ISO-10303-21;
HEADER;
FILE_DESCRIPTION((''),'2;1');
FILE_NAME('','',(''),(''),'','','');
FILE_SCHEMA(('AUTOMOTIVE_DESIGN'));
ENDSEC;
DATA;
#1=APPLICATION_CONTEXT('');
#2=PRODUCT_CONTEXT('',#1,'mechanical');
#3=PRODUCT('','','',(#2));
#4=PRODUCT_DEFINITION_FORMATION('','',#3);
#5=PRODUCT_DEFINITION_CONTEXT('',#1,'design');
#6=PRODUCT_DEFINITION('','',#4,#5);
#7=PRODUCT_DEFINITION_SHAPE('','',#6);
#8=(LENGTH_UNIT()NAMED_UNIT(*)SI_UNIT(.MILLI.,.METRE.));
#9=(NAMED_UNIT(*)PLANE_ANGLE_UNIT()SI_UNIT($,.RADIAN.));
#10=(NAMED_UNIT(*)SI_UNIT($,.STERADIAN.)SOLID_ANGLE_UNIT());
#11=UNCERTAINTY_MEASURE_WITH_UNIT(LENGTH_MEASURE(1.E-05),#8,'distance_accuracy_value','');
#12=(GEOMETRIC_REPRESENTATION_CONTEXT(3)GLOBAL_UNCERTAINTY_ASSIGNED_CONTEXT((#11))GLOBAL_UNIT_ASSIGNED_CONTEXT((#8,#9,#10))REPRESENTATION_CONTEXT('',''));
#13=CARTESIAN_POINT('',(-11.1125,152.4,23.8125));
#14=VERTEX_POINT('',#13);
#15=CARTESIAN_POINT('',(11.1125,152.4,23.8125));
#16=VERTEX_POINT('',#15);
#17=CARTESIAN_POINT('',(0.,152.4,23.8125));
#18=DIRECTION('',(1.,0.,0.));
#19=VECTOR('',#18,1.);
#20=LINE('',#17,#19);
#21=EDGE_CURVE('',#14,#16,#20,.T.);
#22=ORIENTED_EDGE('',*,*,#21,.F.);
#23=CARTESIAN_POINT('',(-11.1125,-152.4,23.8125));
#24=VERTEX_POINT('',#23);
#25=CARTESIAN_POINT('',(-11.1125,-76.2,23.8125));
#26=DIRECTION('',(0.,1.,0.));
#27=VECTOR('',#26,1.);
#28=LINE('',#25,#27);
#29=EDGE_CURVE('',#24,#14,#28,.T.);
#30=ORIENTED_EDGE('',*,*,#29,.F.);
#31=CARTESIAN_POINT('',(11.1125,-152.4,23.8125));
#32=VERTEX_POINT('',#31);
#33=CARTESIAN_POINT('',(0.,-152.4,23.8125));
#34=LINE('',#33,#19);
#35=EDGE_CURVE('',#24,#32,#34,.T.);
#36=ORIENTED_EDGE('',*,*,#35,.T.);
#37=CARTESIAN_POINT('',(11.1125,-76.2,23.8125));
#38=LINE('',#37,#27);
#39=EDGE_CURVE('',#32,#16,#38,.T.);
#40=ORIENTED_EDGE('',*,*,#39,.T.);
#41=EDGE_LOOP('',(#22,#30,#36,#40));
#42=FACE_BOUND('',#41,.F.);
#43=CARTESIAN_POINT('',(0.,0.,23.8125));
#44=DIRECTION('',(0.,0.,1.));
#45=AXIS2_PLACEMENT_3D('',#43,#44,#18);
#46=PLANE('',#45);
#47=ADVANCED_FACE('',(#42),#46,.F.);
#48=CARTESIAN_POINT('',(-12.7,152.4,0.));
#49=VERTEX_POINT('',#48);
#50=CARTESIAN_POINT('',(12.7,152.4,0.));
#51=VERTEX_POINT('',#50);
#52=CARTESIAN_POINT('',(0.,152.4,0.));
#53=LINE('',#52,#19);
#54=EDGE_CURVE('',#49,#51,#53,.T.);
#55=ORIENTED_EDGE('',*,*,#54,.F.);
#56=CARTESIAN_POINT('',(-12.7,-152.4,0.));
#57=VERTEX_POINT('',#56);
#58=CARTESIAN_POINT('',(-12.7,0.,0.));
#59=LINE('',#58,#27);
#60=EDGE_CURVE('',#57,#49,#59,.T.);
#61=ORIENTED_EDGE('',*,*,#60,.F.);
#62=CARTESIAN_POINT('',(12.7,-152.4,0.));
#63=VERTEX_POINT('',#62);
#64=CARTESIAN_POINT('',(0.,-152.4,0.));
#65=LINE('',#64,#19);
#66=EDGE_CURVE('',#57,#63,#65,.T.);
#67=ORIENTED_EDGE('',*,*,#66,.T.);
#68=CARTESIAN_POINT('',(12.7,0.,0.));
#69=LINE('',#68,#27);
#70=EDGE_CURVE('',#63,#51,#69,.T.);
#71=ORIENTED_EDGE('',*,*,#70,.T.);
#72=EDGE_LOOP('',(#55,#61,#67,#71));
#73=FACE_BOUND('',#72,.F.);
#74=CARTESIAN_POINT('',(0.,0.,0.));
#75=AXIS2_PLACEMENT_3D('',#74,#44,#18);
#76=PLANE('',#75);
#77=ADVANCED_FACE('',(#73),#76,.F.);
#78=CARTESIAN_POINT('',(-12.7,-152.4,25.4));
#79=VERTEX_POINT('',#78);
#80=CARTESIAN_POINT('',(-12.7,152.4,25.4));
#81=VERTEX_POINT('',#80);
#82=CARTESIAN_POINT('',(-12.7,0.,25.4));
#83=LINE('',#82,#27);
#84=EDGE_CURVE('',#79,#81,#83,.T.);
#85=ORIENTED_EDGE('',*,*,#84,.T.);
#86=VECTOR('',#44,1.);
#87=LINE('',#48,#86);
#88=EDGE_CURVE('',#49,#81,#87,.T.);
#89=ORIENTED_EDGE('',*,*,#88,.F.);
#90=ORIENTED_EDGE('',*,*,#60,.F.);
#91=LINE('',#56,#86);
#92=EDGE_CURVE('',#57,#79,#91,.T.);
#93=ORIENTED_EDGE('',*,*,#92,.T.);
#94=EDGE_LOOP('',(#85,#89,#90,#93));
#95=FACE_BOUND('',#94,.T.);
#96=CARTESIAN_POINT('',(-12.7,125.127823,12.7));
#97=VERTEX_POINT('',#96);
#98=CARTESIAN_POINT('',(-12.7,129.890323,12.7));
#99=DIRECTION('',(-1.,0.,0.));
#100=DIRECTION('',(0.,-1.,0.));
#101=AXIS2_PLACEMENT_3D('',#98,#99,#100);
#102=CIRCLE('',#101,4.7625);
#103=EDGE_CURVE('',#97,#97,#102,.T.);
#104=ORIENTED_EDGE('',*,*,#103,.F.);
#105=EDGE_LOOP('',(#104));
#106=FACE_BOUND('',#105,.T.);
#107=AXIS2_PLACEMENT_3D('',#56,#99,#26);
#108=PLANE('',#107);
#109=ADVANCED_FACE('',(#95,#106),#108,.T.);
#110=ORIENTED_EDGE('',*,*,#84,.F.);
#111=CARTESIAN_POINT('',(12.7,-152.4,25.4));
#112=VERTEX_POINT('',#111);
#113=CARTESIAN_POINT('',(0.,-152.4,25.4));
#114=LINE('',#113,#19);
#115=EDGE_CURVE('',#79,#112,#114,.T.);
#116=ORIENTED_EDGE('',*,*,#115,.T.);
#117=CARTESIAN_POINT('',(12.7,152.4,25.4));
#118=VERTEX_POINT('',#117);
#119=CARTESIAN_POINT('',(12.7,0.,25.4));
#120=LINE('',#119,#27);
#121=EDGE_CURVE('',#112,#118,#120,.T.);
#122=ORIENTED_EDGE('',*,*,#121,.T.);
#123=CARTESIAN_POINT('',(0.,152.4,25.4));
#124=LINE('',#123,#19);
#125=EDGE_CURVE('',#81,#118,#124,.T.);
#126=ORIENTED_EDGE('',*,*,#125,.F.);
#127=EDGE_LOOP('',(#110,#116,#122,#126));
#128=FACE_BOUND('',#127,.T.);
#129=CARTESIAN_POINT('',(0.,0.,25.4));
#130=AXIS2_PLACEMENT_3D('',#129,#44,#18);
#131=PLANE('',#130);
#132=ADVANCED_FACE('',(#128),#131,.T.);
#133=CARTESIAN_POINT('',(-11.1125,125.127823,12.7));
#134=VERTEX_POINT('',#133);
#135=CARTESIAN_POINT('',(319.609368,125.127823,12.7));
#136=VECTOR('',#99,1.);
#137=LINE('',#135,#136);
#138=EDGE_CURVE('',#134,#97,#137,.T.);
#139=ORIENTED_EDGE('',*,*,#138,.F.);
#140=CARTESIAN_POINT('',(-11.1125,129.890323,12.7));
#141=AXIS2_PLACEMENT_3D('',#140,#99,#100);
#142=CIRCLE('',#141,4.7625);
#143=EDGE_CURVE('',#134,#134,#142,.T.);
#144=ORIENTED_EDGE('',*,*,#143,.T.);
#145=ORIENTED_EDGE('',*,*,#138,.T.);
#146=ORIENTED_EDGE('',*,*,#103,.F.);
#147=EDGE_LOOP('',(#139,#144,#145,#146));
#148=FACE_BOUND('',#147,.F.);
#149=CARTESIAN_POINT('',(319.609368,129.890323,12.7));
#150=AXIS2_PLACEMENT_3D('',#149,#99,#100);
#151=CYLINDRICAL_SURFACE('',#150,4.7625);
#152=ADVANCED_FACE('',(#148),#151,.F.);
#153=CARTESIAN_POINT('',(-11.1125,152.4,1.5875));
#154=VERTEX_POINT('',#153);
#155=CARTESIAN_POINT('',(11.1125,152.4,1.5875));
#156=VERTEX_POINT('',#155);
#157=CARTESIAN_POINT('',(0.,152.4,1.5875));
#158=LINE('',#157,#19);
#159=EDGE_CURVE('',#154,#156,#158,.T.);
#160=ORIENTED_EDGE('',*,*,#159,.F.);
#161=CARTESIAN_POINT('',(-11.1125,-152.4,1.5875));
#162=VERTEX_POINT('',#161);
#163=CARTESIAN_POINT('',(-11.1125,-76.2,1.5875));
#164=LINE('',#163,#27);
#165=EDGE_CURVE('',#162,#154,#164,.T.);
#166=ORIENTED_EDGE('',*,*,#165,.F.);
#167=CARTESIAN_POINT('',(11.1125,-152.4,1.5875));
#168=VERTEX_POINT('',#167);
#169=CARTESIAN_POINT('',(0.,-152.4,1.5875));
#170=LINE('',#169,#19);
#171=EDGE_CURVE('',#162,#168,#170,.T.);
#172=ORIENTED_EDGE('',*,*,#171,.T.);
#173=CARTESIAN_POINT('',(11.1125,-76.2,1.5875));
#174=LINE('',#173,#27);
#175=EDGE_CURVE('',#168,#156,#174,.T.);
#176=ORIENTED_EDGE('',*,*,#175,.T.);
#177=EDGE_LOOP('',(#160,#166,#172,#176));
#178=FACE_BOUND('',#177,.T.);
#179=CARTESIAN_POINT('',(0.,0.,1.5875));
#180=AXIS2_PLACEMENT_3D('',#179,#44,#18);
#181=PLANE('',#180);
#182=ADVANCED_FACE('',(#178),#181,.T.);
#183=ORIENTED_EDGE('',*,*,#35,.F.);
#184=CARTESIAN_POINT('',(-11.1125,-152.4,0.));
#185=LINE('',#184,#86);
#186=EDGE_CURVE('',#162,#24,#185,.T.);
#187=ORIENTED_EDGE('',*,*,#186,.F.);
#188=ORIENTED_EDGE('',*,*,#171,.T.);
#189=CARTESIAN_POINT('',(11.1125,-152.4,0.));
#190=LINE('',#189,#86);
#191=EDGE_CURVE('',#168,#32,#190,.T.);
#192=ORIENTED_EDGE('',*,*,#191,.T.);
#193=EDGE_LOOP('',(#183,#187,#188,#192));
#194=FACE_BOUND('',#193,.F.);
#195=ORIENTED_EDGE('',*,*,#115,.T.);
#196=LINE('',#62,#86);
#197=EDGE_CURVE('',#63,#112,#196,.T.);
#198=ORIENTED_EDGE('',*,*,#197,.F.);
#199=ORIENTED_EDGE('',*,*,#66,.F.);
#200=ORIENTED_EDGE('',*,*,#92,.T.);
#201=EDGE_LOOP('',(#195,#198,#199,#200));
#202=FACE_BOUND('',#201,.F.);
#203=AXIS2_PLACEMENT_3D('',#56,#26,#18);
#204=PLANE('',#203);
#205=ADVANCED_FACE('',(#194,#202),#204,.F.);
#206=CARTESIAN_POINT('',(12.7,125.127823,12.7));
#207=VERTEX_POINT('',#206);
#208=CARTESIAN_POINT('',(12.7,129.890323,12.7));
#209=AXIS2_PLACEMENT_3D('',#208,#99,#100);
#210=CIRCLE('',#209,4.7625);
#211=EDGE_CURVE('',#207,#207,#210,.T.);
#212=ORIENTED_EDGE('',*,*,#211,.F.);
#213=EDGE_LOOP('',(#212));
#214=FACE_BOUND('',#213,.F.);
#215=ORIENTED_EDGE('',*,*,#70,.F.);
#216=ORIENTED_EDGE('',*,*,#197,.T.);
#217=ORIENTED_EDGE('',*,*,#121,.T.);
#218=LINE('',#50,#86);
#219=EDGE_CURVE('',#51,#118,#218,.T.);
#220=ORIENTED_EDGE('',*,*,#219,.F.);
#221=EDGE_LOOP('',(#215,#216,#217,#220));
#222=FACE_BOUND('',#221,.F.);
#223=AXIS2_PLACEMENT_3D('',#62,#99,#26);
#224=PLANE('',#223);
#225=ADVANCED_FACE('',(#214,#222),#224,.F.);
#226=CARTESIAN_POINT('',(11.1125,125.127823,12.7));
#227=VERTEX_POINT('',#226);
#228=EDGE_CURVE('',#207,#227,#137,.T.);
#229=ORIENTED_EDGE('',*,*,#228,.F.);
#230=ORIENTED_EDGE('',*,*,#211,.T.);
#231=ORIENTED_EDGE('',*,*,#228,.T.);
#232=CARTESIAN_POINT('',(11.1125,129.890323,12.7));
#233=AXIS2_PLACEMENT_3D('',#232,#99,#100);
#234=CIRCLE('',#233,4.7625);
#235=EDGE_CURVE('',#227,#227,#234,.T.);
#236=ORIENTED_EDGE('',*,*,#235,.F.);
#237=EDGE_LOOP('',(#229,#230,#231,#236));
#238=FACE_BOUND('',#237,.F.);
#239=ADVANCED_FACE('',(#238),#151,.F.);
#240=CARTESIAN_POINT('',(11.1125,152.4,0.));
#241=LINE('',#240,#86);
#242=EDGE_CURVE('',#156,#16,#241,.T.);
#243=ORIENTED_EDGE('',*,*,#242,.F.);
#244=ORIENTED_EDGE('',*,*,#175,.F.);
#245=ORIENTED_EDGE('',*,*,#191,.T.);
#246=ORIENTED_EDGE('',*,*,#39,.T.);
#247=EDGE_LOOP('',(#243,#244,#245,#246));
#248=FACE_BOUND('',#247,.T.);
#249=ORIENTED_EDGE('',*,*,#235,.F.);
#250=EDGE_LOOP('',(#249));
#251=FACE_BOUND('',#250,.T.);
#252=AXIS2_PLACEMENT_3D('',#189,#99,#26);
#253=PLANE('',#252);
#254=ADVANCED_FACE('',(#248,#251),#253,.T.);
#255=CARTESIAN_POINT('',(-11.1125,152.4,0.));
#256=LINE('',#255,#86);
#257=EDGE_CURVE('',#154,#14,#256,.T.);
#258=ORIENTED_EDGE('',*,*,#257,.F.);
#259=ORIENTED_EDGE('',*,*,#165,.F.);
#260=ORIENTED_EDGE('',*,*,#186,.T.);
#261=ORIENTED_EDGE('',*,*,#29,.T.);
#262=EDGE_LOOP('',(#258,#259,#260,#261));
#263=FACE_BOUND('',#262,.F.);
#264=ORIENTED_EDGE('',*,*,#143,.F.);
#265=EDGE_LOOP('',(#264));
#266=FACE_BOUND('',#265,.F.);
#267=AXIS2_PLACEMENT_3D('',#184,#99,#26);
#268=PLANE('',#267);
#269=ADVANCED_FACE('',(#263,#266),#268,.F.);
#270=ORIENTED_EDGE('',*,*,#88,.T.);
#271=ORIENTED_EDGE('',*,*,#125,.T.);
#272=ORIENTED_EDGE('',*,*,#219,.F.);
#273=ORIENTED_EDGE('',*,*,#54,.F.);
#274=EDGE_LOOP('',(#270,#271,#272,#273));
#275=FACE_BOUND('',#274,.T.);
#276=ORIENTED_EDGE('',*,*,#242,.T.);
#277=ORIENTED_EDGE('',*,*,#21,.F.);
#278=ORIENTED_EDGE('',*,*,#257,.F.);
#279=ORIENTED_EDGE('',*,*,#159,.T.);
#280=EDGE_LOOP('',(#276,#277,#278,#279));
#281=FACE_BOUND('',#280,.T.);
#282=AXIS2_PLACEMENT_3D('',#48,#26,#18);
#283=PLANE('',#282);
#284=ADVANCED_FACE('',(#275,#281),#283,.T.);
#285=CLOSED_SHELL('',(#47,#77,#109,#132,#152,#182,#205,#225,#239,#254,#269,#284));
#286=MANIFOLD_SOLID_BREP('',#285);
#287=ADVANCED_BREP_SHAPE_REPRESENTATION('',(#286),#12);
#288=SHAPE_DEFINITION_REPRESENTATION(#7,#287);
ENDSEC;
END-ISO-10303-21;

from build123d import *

# Parameters (mm, degrees)
F0_W     = 25.4
F0_H     = 304.8
F1_DEPTH = 25.4
F2_T     = -1.5875
F4_D     = 9.525


with BuildPart() as f1:
    # F0 (on Top) → F1 (new body)
    with BuildSketch(Plane.XY):
        Rectangle(F0_W, F0_H)
    extrude(amount=F1_DEPTH)

    # F2
    f2_openings = [f1.faces().sort_by_distance(p)[0] for p in [
        (0, -152.4, 12.7),
        (0, 152.4, 12.7),
    ]]
    offset(amount=F2_T, openings=f2_openings)

    # F4 (through all)
    with Locations(Plane.YZ.offset(12.7)):
        with Locations((129.890323, 12.7)):
            Hole(F4_D / 2)


solid = f1.part
